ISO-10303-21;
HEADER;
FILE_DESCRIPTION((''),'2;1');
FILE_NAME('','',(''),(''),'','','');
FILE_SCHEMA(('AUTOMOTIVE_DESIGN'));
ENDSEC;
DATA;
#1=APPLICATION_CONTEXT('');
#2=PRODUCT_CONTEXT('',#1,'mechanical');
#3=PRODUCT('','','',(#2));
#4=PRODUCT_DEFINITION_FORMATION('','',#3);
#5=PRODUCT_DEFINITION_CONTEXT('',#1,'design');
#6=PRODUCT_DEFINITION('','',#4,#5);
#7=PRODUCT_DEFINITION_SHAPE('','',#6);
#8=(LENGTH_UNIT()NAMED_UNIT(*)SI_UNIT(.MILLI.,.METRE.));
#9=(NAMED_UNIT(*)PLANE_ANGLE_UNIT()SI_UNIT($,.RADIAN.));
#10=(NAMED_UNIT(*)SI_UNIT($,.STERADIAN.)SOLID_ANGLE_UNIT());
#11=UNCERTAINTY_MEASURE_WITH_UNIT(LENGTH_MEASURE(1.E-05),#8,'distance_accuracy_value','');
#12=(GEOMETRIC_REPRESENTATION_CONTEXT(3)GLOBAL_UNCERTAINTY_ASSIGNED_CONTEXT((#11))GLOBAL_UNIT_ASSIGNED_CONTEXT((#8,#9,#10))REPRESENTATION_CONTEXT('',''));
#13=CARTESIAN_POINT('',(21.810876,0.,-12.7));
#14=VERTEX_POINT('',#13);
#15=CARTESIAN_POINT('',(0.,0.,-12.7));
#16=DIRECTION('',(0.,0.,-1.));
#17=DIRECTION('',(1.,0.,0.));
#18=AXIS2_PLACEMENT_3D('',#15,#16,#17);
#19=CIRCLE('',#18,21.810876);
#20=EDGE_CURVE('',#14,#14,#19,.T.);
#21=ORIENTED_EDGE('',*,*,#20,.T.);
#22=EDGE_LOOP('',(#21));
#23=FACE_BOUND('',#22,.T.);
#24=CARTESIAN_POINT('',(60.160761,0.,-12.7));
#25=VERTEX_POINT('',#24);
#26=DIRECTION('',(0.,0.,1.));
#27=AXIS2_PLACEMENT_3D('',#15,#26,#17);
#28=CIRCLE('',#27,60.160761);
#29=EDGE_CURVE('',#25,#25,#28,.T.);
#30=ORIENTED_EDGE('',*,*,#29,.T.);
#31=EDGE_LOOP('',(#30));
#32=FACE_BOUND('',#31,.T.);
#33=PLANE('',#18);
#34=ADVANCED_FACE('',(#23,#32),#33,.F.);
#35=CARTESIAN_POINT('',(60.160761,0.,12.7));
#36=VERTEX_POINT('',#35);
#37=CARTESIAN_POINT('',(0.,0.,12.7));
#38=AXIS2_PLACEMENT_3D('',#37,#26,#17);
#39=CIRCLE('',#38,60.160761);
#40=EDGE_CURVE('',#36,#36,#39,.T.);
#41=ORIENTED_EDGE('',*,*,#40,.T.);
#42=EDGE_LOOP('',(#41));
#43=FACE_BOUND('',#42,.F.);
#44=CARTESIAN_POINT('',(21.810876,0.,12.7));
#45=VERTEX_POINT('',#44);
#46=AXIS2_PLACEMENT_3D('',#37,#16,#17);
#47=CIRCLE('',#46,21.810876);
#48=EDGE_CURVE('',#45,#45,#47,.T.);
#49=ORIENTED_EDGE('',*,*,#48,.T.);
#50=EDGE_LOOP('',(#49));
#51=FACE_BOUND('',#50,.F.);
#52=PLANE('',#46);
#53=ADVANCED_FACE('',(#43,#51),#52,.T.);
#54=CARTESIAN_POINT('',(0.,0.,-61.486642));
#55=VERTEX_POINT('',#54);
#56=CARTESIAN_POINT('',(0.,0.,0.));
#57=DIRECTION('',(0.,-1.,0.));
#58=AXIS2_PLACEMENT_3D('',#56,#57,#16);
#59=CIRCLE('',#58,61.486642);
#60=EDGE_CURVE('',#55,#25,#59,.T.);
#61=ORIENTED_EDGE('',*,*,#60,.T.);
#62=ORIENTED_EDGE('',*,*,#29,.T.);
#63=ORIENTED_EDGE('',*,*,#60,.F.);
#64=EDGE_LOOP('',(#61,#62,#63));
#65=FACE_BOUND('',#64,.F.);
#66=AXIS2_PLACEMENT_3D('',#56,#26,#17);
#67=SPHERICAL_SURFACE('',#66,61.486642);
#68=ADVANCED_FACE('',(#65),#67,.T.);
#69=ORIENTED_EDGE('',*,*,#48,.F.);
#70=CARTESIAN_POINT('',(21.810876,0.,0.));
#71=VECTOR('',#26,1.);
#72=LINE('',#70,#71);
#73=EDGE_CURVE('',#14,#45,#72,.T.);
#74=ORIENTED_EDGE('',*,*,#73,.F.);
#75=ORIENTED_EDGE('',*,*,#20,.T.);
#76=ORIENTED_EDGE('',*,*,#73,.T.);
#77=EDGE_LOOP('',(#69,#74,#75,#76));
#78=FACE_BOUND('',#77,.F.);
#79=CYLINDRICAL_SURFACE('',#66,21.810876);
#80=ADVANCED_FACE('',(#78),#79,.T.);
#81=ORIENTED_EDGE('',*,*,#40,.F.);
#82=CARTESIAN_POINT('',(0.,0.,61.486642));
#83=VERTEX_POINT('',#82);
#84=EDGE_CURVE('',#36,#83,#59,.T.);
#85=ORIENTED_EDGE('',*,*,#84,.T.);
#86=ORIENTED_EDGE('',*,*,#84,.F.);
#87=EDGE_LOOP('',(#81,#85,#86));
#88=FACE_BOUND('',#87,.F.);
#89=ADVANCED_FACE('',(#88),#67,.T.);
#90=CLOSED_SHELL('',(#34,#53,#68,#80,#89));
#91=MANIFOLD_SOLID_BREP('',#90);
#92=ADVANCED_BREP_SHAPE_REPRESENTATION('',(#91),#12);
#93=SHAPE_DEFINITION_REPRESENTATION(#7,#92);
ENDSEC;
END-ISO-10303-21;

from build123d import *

# Parameters (mm, degrees)
F2_W = 55.769581
F2_H = 25.4


with BuildPart() as f1:
    # F0 (on Front) → F1 (revolve)
    with BuildSketch(Plane.XZ):
        with BuildLine():
            Line((0, 61.486642), (0, -61.486642))
            ThreePointArc((0, -61.486642), (61.486642, 0), (0, 61.486642))
        make_face()
    revolve(axis=Axis((0, 0, 0), (0, 0, -1)))

    # F2 (on Front) → F3 (revolve, cut)
    with BuildSketch(Plane.XZ):
        with Locations((49.695667, 0)):
            Rectangle(F2_W, F2_H)
    revolve(axis=Axis((0, 0, -2.760873), (0, 0, -1)), mode=Mode.SUBTRACT)


solid = f1.part
